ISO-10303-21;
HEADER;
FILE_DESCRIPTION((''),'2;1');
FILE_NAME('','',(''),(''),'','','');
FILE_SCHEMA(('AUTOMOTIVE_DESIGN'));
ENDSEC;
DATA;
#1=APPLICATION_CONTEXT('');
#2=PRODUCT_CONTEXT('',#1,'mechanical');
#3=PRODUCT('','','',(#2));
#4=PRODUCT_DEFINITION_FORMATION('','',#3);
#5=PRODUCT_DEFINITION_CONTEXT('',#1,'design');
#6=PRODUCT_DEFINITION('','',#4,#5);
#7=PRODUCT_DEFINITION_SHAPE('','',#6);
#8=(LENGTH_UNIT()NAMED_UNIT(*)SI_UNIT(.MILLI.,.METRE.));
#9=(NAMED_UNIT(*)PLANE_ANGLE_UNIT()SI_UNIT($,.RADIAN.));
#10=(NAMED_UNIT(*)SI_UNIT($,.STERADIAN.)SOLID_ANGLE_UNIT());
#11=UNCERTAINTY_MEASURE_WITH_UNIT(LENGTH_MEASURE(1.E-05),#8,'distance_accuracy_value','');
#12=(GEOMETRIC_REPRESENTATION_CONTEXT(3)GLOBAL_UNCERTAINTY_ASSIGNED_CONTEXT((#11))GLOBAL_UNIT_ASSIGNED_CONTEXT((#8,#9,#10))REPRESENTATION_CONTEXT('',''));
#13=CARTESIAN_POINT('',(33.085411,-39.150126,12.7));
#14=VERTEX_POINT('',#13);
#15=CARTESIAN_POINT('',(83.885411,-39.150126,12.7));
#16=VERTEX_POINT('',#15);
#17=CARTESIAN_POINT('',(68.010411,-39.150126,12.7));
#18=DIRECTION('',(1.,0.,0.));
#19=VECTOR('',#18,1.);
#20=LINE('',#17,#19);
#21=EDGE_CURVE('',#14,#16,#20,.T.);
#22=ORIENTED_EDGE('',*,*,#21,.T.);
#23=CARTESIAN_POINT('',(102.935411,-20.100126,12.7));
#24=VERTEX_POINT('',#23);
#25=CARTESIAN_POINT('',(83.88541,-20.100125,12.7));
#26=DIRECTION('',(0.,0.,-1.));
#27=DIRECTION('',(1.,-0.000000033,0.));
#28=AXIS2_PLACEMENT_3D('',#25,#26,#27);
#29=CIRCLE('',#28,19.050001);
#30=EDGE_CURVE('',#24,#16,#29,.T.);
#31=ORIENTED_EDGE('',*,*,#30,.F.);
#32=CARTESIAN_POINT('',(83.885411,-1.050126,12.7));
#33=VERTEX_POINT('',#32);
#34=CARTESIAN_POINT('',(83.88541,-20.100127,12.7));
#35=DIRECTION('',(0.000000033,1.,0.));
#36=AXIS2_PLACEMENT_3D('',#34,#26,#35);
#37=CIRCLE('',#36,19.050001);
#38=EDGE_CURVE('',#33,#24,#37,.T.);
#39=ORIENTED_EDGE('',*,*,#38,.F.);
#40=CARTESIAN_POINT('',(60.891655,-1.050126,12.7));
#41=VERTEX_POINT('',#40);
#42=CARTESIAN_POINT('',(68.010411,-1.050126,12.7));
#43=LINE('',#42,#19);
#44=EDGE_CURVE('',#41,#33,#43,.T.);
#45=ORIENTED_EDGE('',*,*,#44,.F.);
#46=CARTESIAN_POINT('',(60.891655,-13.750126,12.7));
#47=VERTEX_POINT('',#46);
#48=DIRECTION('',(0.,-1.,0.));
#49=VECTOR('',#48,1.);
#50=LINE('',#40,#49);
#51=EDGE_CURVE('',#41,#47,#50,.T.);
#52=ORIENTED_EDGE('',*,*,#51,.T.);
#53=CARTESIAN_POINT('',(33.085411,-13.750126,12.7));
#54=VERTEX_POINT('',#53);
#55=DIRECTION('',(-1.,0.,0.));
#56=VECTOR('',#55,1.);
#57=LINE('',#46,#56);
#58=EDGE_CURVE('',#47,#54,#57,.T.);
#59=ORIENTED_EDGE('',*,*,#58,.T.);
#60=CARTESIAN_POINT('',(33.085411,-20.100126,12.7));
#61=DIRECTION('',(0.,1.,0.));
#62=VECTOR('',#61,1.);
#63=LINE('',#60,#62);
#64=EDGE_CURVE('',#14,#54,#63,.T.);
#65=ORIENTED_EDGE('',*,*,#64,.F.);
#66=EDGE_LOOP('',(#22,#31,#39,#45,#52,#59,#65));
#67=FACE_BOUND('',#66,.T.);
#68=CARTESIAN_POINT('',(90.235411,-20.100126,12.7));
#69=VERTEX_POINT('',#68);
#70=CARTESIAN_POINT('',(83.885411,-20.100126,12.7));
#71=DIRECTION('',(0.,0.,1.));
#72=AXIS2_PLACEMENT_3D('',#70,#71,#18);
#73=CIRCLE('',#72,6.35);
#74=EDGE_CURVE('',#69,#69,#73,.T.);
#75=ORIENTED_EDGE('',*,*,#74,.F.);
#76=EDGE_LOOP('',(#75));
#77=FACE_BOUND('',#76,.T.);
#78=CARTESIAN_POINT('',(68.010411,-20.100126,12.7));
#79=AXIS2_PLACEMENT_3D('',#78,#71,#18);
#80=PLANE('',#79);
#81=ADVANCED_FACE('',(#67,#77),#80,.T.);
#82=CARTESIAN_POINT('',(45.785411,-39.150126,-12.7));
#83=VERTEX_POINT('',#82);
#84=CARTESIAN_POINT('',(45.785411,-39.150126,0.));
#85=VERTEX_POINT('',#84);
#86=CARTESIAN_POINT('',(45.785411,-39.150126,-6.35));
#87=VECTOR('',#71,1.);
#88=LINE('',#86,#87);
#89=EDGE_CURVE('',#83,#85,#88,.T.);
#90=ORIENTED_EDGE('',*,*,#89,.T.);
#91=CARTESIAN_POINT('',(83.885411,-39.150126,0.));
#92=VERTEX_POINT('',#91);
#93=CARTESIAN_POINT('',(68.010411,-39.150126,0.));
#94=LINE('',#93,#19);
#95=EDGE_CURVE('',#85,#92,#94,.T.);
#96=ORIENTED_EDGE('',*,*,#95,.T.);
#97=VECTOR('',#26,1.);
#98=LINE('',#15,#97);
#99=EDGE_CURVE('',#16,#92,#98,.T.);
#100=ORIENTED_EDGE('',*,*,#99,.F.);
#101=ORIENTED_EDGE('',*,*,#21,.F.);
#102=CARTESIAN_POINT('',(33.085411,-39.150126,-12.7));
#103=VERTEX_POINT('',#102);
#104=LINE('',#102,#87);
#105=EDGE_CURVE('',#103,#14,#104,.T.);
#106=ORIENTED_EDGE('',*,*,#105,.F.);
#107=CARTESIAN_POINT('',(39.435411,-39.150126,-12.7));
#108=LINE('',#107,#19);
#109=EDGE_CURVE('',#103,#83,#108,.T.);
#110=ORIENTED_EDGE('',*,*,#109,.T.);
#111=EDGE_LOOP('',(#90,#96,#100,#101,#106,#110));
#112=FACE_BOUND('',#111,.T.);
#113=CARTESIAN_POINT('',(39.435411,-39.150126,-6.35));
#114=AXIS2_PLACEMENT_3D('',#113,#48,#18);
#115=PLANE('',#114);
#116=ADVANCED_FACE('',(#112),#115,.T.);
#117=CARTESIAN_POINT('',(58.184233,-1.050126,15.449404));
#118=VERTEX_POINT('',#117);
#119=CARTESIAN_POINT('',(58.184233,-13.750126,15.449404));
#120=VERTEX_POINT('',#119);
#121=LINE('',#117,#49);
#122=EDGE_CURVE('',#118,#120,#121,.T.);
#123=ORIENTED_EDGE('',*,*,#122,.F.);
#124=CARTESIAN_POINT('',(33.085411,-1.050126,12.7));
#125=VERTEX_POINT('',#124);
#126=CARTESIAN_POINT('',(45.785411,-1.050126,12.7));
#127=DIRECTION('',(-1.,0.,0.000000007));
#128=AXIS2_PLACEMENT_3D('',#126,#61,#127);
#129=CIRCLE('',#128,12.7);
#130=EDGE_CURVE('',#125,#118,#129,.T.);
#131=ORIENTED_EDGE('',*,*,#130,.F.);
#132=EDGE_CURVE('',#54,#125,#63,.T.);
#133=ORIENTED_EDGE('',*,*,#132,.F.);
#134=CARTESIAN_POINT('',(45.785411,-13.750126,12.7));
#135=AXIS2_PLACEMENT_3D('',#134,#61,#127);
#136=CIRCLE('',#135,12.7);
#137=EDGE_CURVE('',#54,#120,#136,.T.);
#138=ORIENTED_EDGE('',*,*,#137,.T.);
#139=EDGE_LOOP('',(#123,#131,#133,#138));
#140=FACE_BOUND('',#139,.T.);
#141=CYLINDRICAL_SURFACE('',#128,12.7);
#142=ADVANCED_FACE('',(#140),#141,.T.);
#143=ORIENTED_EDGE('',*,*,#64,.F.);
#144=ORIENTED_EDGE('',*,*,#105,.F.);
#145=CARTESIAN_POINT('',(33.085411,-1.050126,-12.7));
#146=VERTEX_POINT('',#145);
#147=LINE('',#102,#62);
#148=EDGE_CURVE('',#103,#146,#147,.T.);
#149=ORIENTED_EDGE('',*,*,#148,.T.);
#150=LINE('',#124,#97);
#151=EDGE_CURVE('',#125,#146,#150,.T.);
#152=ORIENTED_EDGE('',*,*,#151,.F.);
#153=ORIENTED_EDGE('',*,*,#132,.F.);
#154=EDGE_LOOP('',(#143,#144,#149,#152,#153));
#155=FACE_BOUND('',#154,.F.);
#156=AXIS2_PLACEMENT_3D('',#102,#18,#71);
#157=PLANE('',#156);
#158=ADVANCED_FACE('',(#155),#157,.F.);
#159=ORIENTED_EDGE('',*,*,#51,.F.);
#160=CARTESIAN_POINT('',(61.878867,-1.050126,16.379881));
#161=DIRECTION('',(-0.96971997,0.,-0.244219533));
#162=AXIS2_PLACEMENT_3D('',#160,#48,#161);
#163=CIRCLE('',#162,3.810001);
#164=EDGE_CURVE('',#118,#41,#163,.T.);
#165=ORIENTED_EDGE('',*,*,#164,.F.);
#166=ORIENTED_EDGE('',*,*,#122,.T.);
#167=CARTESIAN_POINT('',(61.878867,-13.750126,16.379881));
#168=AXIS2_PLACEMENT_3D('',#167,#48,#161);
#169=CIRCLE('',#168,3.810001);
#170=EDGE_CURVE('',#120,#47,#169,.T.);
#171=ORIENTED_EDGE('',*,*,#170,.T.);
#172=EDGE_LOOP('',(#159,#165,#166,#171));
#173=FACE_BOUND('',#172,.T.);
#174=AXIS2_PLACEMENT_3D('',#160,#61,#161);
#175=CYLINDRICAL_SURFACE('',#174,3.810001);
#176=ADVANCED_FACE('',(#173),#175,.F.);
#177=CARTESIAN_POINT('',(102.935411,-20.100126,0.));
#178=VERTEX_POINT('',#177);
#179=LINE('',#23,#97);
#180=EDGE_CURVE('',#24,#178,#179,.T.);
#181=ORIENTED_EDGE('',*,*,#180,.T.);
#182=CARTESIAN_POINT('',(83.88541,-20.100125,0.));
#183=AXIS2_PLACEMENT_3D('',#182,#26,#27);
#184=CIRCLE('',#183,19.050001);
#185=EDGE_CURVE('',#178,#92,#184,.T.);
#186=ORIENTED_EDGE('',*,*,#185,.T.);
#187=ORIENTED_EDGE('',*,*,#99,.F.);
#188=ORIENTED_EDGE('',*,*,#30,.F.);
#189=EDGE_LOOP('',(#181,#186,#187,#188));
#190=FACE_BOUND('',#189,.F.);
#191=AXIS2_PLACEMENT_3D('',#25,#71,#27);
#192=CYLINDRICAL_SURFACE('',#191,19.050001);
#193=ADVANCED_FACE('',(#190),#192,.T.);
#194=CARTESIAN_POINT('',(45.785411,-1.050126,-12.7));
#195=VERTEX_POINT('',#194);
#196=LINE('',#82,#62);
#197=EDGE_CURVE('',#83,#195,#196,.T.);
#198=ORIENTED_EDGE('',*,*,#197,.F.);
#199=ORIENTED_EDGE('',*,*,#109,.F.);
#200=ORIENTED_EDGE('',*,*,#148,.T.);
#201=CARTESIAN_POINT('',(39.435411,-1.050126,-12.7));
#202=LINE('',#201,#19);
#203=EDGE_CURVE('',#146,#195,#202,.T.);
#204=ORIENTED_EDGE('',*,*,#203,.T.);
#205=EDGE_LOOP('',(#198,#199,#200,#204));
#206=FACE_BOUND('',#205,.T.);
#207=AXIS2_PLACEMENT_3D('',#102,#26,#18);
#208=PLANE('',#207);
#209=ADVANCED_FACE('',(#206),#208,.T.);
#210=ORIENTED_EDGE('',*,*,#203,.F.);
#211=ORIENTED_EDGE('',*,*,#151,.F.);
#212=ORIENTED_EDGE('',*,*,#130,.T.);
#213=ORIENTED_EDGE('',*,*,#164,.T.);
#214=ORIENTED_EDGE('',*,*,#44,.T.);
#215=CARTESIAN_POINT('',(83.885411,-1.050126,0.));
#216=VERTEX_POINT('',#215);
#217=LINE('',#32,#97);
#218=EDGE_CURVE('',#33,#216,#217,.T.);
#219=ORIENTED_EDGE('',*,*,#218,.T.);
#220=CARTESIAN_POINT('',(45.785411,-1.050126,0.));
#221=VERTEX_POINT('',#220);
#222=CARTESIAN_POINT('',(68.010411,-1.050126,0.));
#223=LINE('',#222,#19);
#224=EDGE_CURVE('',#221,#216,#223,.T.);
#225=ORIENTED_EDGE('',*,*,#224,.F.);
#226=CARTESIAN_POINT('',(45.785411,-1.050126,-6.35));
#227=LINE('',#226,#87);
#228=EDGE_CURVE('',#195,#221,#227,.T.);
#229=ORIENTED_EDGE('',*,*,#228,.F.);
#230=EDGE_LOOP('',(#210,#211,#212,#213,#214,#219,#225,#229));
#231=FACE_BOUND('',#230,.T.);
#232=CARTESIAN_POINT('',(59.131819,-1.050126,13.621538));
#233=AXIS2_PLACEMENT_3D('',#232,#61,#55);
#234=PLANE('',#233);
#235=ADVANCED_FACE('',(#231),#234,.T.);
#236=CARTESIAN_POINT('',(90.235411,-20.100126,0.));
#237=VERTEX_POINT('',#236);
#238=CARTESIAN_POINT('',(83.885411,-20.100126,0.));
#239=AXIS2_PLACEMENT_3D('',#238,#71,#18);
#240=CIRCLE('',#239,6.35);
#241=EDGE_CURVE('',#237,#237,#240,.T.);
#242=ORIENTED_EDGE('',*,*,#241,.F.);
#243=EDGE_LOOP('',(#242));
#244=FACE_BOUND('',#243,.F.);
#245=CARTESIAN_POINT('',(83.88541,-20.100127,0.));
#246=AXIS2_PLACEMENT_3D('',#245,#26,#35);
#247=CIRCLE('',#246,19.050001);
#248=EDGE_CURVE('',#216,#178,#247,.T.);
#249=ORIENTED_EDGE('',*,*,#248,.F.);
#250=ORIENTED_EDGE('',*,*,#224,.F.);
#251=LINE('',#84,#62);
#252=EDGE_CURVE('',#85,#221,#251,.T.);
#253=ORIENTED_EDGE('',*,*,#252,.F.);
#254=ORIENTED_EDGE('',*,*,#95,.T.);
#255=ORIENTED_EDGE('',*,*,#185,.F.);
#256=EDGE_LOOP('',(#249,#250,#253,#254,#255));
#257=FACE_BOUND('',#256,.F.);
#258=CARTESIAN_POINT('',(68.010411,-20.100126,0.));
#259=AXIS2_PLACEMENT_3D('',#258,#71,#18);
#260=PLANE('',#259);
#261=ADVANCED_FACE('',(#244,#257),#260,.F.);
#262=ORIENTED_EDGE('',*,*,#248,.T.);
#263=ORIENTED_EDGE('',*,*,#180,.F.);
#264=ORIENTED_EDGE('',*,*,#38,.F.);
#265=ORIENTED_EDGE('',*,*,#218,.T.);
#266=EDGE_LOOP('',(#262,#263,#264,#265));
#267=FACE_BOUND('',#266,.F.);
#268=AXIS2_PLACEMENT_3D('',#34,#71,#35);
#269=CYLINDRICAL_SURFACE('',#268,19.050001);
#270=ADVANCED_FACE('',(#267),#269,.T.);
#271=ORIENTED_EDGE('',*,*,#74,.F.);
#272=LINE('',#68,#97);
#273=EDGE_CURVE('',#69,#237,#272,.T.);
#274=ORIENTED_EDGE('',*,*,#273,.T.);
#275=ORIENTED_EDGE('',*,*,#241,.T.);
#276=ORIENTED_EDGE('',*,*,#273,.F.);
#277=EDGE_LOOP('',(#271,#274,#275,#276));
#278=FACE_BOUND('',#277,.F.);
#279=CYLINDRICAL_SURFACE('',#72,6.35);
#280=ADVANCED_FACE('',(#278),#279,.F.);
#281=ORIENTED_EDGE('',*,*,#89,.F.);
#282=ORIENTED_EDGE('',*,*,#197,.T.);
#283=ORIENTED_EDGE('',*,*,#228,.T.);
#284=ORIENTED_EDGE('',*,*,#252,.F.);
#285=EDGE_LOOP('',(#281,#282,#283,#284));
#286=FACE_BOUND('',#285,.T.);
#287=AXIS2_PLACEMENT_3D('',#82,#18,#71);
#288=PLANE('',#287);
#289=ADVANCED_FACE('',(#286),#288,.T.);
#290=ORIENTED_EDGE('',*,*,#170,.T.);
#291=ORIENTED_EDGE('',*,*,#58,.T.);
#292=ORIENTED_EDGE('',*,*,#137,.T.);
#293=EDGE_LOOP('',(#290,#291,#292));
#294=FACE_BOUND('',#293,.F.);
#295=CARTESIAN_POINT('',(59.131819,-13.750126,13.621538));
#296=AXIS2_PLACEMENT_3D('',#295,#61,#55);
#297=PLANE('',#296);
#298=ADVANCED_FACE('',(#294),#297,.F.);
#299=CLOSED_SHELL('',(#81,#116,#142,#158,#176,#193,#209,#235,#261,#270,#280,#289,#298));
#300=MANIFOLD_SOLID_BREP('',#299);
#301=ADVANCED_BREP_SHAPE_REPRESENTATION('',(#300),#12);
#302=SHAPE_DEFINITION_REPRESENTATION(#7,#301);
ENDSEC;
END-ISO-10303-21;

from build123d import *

# Parameters (mm, degrees)
F0_W     = 69.85
F0_H     = 38.1
F1_DEPTH = 12.7
F2_W     = 12.7
F2_H     = 12.7
F3_DEPTH = 38.1
F5_DEPTH = 12.7
F6_R     = 6.35
F7_DEPTH = 12.7
F9_DEPTH = 12.7


with BuildPart() as f1:
    # F0 (on Top) → F1 (new body)
    with BuildSketch(Plane.XY):
        with Locations((68.010411, -20.100126)):
            Rectangle(F0_W, F0_H)
    extrude(amount=F1_DEPTH)

    # F2 (on face) → F3 (join)
    with BuildSketch(Plane.XZ.offset(39.150126)):
        with Locations((39.435411, -6.35)):
            Rectangle(F2_W, F2_H)
    extrude(amount=-F3_DEPTH)

    # F4 (on face) → F5 (cut)
    with BuildSketch(Plane.XY.offset(12.7)):
        with BuildLine():
            ThreePointArc((83.885411, -1.050126), (97.355795, -6.629742), (102.935411, -20.100126))
            Line((102.935411, -20.100126), (102.935411, -1.050126))
            Line((102.935411, -1.050126), (83.885411, -1.050126))
        make_face()
        with BuildLine():
            Line((102.935411, -39.150126), (102.935411, -20.100126))
            ThreePointArc((102.935411, -20.100126), (97.355795, -33.57051), (83.885411, -39.150126))
            Line((83.885411, -39.150126), (102.935411, -39.150126))
        make_face()
    extrude(amount=-F5_DEPTH, mode=Mode.SUBTRACT)

    # F6 (on face) → F7 (cut)
    with BuildSketch(Plane.XY.offset(12.7)):
        with Locations((83.885411, -20.100126)):
            Circle(F6_R)
    extrude(amount=-F7_DEPTH, mode=Mode.SUBTRACT)

    # F8 (on face) → F9 (join)
    with BuildSketch(Plane(origin=(0, -1.050126, 0), x_dir=(-1, 0, 0), z_dir=(0, 1, 0))):
        with BuildLine():
            ThreePointArc((-58.485411, 12.7), (-58.409892, 14.082925), (-58.184233, 15.449404))
            ThreePointArc((-58.184233, 15.449404), (-59.164143, 13.706609), (-60.891655, 12.7))
            Line((-60.891655, 12.7), (-58.485411, 12.7))
        make_face()
        with BuildLine():
            Line((-58.485411, 12.7), (-33.085411, 12.7))
            ThreePointArc((-33.085411, 12.7), (-44.402486, 25.324481), (-58.184233, 15.449404))
            ThreePointArc((-58.184233, 15.449404), (-58.409892, 14.082925), (-58.485411, 12.7))
        make_face()
    extrude(amount=-F9_DEPTH)


solid = f1.part
